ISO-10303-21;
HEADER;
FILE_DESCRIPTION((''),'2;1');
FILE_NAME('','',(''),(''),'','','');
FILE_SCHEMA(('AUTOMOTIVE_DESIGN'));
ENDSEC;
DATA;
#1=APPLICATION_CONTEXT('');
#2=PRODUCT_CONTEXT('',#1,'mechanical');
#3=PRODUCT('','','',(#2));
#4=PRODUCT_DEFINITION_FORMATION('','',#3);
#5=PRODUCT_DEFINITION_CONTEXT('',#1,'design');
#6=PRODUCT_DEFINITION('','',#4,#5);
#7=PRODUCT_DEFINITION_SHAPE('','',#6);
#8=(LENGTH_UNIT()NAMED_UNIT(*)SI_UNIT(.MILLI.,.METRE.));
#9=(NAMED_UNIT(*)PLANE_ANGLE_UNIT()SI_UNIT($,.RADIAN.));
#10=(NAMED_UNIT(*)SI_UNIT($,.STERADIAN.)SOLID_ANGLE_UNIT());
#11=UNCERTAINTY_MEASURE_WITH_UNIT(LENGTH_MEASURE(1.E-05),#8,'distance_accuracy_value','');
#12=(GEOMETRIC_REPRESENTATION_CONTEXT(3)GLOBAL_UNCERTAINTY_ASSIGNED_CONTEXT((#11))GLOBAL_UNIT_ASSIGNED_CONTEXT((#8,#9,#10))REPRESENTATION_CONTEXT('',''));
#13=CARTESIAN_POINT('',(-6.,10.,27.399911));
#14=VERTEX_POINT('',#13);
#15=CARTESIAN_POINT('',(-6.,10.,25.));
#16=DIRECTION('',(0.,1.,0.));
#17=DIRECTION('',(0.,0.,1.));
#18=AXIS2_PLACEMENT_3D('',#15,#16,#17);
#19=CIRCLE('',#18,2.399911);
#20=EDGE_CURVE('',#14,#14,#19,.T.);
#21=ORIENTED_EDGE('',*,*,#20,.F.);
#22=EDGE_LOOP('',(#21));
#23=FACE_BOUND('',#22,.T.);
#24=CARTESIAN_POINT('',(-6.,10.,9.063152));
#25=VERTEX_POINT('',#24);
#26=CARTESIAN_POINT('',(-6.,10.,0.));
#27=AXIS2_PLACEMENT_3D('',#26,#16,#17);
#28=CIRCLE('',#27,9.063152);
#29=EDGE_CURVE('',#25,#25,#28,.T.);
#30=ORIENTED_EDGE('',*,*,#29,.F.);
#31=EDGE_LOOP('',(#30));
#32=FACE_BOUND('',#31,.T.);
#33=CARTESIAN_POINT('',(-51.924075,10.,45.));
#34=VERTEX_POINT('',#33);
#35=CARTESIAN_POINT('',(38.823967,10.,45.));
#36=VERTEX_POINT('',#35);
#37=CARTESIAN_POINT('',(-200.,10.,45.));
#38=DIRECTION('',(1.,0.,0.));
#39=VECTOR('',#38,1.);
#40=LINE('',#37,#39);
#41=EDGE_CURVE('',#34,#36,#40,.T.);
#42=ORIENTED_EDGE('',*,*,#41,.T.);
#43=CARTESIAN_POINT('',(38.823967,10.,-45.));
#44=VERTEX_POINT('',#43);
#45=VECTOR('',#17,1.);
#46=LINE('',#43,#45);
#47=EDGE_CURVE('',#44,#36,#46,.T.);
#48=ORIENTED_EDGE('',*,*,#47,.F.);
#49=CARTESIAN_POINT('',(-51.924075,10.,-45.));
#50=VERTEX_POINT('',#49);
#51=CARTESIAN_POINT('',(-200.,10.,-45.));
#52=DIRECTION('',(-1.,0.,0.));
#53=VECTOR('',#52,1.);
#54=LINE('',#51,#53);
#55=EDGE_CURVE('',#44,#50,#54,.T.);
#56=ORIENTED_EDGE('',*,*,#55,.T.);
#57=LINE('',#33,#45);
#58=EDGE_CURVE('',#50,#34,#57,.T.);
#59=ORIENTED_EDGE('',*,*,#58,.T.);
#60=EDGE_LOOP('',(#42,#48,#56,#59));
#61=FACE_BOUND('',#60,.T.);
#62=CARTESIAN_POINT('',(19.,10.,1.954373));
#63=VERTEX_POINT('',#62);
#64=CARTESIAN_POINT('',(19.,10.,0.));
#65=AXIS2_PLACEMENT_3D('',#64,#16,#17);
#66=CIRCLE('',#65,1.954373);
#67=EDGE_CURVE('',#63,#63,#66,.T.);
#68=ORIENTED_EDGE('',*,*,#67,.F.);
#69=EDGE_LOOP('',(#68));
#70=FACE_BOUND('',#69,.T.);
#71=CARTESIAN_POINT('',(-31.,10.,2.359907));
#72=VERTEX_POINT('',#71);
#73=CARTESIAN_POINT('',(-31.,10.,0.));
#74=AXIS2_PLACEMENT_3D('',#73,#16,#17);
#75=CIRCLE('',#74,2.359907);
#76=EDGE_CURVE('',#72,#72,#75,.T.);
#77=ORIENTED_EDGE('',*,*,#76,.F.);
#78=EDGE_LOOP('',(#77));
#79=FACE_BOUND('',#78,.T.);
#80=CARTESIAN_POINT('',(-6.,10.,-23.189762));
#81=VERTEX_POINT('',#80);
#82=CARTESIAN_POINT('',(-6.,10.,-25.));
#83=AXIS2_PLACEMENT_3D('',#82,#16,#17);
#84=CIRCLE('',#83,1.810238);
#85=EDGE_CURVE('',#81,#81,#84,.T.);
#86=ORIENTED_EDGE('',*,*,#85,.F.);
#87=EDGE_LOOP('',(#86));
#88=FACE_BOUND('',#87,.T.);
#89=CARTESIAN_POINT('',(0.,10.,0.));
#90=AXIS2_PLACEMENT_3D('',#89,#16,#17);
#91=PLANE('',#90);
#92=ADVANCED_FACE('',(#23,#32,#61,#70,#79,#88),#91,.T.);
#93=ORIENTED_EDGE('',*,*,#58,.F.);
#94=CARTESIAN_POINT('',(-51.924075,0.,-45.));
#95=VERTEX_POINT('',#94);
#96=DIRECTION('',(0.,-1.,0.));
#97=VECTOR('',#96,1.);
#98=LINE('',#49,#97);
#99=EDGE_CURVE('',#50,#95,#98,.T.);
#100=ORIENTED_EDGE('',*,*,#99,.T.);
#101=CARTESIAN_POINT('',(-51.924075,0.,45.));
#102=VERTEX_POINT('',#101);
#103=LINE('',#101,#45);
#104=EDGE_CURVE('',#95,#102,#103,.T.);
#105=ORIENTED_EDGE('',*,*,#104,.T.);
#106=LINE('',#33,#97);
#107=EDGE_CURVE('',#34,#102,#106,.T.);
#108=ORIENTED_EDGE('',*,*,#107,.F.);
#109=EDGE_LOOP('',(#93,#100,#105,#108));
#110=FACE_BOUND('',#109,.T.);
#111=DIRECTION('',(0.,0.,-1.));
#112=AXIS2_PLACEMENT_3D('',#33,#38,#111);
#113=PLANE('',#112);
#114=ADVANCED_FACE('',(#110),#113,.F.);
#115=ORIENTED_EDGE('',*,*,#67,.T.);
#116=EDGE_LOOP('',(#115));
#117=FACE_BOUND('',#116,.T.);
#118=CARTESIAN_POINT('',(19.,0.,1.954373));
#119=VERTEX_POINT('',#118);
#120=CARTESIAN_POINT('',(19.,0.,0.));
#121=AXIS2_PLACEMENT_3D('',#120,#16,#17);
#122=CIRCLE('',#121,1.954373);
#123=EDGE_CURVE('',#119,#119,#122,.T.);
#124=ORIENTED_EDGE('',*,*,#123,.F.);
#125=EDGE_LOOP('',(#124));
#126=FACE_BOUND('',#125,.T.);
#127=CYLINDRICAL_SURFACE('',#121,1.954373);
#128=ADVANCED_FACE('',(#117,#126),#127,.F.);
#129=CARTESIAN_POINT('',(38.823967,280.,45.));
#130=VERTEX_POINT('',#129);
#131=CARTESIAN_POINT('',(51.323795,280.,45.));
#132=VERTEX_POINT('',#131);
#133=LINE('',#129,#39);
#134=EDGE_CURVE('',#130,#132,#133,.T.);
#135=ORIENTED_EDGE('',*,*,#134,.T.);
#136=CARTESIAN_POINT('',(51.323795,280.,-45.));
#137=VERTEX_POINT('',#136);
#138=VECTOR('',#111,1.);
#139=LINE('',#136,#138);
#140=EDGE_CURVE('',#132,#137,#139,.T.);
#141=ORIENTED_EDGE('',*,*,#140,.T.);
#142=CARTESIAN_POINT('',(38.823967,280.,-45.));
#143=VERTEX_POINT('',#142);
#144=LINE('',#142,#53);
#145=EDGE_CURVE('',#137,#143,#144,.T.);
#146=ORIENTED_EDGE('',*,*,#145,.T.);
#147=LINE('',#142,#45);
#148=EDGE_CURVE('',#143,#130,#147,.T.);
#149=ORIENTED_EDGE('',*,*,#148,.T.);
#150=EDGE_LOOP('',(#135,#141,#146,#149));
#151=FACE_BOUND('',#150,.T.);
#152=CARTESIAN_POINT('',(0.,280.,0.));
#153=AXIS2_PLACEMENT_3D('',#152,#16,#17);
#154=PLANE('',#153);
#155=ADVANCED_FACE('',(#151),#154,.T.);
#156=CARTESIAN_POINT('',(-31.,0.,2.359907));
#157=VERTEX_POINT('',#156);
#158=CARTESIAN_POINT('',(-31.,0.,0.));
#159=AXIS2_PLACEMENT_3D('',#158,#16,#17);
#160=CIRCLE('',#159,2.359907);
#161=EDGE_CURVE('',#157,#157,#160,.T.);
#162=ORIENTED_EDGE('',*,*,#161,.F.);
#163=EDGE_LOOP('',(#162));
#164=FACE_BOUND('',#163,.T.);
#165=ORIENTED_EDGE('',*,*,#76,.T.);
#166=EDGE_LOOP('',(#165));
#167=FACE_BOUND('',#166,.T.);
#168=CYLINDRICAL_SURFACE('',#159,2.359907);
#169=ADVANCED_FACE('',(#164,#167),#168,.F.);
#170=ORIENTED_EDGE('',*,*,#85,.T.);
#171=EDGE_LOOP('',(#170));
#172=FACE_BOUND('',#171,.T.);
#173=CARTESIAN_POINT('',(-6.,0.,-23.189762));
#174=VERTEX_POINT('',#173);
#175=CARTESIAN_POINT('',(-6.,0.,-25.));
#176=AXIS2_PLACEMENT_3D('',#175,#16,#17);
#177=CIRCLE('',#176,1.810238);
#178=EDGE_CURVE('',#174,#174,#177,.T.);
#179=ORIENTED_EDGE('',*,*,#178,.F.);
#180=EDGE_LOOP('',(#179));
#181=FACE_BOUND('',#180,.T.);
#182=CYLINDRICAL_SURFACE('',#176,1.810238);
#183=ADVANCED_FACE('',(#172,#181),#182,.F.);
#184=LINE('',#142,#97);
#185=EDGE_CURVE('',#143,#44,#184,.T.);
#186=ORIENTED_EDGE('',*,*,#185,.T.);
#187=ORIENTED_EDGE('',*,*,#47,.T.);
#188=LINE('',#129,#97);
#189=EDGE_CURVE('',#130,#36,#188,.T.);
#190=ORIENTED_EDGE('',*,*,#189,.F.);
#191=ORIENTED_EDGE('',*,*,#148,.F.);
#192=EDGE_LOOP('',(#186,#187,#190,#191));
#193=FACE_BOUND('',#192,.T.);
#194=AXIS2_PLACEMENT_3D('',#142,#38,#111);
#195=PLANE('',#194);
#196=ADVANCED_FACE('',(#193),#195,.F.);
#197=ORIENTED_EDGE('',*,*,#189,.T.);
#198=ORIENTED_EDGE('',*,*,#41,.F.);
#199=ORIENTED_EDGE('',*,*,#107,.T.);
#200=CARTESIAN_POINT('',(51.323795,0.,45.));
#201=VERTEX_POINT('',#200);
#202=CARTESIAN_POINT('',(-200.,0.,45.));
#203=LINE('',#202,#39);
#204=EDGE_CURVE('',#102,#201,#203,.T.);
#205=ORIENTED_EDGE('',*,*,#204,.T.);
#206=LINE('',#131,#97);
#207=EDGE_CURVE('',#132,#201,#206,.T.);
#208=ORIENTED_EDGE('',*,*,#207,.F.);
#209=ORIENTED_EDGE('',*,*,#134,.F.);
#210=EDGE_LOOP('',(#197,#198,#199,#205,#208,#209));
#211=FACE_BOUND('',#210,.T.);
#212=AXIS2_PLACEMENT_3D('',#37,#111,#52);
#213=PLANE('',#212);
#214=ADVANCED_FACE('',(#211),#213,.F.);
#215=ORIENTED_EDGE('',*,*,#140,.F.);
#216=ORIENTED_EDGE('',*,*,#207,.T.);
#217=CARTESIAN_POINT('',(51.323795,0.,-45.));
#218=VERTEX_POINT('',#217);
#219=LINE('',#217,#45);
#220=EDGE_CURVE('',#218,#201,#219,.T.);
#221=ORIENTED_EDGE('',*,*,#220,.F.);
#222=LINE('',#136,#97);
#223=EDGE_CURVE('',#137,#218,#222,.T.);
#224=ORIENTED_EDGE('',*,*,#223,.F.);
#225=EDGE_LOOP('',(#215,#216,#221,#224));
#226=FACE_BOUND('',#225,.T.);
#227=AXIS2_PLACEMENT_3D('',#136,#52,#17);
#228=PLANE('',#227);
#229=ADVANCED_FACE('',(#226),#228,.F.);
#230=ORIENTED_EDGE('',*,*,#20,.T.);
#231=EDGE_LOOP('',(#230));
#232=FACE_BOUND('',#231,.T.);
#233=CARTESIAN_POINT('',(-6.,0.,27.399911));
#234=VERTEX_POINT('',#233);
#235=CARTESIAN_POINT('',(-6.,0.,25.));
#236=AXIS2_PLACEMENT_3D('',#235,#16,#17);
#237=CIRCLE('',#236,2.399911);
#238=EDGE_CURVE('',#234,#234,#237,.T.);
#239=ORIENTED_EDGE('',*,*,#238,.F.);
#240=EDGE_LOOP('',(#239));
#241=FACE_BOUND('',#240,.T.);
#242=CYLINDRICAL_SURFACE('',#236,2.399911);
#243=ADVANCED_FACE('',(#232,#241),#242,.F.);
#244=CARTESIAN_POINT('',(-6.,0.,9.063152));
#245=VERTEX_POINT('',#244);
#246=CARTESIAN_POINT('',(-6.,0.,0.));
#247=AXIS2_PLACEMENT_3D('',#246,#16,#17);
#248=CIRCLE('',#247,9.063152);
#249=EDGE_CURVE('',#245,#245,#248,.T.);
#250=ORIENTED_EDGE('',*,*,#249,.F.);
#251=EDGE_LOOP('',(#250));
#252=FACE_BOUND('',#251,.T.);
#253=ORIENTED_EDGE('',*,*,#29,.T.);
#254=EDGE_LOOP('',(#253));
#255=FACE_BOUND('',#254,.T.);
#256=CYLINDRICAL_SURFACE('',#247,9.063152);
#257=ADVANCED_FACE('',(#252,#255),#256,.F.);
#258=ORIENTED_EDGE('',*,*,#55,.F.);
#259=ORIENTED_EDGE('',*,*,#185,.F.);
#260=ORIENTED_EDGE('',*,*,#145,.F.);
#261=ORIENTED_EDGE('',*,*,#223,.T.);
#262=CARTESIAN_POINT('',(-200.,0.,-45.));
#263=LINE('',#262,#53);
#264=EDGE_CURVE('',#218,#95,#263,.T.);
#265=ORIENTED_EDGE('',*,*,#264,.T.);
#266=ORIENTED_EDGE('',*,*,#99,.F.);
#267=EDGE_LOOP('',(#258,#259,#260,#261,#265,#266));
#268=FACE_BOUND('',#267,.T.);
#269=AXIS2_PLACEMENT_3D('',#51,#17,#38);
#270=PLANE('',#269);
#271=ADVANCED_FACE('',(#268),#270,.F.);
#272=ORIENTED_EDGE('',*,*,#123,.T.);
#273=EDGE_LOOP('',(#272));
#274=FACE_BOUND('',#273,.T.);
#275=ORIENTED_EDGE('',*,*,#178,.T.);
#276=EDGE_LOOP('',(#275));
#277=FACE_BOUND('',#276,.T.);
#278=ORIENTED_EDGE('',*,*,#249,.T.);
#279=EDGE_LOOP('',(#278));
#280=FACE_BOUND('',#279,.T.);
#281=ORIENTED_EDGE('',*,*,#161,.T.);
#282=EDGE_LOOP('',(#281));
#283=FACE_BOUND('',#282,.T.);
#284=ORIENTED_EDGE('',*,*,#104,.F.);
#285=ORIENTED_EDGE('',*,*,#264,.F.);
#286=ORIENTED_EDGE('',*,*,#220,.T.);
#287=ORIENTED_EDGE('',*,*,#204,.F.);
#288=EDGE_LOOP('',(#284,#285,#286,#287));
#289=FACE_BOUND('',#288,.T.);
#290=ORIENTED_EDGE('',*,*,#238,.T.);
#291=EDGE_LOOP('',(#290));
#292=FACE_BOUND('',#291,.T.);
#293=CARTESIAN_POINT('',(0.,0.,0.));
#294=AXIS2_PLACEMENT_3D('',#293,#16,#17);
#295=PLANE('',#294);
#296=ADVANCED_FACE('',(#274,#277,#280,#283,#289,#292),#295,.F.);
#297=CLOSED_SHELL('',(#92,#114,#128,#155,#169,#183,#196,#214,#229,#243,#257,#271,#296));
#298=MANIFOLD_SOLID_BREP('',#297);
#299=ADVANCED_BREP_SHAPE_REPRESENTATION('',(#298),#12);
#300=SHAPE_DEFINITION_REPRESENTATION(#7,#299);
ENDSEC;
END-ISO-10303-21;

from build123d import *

# Parameters (mm, degrees)
SKETCH_1_W          = 400
SKETCH_1_H          = 90
EXTRUDE_1_DEPTH     = 10
SKETCH_2_R          = 9.063152432
CUT_EXTRUDE_1_DEPTH = 10
SKETCH_3_R          = 1.81023823
SKETCH_3_R_2        = 1.954373085
SKETCH_3_R_3        = 2.399911157
SKETCH_3_R_4        = 2.359906839
CUT_EXTRUDE_2_DEPTH = 10
SKETCH_4_R          = 6.073356137
SKETCH_4_R_2        = 6.104859493
SKETCH_4_R_3        = 4.740379866
CUT_EXTRUDE_3_DEPTH = 10
SKETCH_5_W          = 12.49982796
SKETCH_5_H          = 90
EXTRUDE_2_DEPTH     = 270
SKETCH_6_W          = 148.075925294
SKETCH_6_H          = 90
CUT_EXTRUDE_4_DEPTH = 10
SKETCH_7_W          = 153.736310317
SKETCH_7_H          = 106.42917614
CUT_EXTRUDE_5_DEPTH = 10


with BuildPart() as part:
    # 草图1 → 凸台-拉伸1 (new body)
    with BuildSketch(Plane(origin=(0, 0, 0), x_dir=(1, 0, 0), z_dir=(0, 1, 0))):
        Rectangle(SKETCH_1_W, SKETCH_1_H)
    extrude(amount=EXTRUDE_1_DEPTH)

    # 草图2 → 切除-拉伸1 (cut)
    with BuildSketch(Plane(origin=(0, 10, 0), x_dir=(1, 0, 0), z_dir=(0, 1, 0))):
        with Locations((-6, 0)):
            Circle(SKETCH_2_R)
    extrude(amount=-CUT_EXTRUDE_1_DEPTH, mode=Mode.SUBTRACT)

    # 草图3 → 切除-拉伸2 (cut)
    with BuildSketch(Plane(origin=(0, 10, 0), x_dir=(1, 0, 0), z_dir=(0, 1, 0))):
        with Locations((-6, 25)):
            Circle(SKETCH_3_R)
        with Locations((19, 0)):
            Circle(SKETCH_3_R_2)
        with Locations((-6, -25)):
            Circle(SKETCH_3_R_3)
        with Locations((-31, 0)):
            Circle(SKETCH_3_R_4)
    extrude(amount=-CUT_EXTRUDE_2_DEPTH, mode=Mode.SUBTRACT)

    # 草图4 → 切除-拉伸3 (cut)
    with BuildSketch(Plane(origin=(0, 10, 0), x_dir=(1, 0, 0), z_dir=(0, 1, 0))):
        with Locations((-175, -21.552072621)):
            Circle(SKETCH_4_R)
        with Locations((-135, -21.552072621)):
            Circle(SKETCH_4_R_2)
        with Locations((-155, 23.447927379)):
            Circle(SKETCH_4_R_3)
    extrude(amount=-CUT_EXTRUDE_3_DEPTH, mode=Mode.SUBTRACT)

    # 草图5 → 凸台-拉伸2 (add)
    with BuildSketch(Plane(origin=(0, 10, 0), x_dir=(1, 0, 0), z_dir=(0, 1, 0))):
        with Locations((45.073880923, 0)):
            Rectangle(SKETCH_5_W, SKETCH_5_H)
    extrude(amount=EXTRUDE_2_DEPTH)

    # 草图6 → 切除-拉伸4 (cut)
    with BuildSketch(Plane.XZ):
        with Locations((-125.962037353, 0)):
            Rectangle(SKETCH_6_W, SKETCH_6_H)
    extrude(amount=-CUT_EXTRUDE_4_DEPTH, mode=Mode.SUBTRACT)

    # 草图7 → 切除-拉伸5 (cut)
    with BuildSketch(Plane(origin=(0, 10, 0), x_dir=(1, 0, 0), z_dir=(0, 1, 0))):
        with Locations((128.191950062, -8.21458807)):
            Rectangle(SKETCH_7_W, SKETCH_7_H)
    extrude(amount=-CUT_EXTRUDE_5_DEPTH, mode=Mode.SUBTRACT)


solid = part.part
